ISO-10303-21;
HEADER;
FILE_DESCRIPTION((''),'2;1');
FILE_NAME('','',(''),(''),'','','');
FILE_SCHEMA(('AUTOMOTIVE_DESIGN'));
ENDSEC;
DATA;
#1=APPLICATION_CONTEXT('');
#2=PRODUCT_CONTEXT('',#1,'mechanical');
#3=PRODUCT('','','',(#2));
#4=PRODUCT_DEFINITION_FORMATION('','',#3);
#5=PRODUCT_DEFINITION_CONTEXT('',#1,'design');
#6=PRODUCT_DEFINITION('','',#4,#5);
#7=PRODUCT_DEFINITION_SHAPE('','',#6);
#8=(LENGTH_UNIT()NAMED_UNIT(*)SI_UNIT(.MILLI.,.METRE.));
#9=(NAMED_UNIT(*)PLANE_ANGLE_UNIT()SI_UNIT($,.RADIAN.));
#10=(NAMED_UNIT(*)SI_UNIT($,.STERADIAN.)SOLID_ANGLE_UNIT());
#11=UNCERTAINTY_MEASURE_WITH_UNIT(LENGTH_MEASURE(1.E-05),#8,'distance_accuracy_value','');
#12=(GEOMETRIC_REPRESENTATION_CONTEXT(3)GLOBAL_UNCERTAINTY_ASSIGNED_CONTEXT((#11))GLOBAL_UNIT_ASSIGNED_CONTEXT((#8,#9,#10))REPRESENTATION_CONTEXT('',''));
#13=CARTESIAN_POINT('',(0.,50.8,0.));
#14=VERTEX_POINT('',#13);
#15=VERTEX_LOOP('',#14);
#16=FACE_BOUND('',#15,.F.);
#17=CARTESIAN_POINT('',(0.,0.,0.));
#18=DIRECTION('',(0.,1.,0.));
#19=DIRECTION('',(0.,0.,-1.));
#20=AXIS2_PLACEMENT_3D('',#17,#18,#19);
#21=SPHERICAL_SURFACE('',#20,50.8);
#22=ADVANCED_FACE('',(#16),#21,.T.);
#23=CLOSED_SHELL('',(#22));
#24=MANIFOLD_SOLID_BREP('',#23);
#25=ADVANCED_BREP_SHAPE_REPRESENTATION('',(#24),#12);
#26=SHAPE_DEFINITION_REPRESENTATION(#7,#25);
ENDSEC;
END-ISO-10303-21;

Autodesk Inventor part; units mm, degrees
ref_plane "YZ Plane" through (0, 0, 0) normal (1, 0, 0) x (0, 1, 0)
ref_plane "XZ Plane" through (0, 0, 0) normal (0, 1, 0) x (-1, 0, 0)
ref_plane "XY Plane" through (0, 0, 0) normal (0, 0, 1) x (1, 0, 0)
sketch "Sketch1" plane through (0, 0, 0) normal (1, 0, 0) x (0, 1, 0)
  circle A0 centre (0, 0) radius 50.8
  line L0 (50.8, 0) -> (-50.8, 0)
  dimension "d0" = 101.6
revolve "Revolution1" add sketch "Sketch1" angle 360 about axis through (0, 50.8, 0) along (0, -1, 0) picked at (9.3339, -25.052) contours A0 L0
properties part number "GameDesignFRCBall"
